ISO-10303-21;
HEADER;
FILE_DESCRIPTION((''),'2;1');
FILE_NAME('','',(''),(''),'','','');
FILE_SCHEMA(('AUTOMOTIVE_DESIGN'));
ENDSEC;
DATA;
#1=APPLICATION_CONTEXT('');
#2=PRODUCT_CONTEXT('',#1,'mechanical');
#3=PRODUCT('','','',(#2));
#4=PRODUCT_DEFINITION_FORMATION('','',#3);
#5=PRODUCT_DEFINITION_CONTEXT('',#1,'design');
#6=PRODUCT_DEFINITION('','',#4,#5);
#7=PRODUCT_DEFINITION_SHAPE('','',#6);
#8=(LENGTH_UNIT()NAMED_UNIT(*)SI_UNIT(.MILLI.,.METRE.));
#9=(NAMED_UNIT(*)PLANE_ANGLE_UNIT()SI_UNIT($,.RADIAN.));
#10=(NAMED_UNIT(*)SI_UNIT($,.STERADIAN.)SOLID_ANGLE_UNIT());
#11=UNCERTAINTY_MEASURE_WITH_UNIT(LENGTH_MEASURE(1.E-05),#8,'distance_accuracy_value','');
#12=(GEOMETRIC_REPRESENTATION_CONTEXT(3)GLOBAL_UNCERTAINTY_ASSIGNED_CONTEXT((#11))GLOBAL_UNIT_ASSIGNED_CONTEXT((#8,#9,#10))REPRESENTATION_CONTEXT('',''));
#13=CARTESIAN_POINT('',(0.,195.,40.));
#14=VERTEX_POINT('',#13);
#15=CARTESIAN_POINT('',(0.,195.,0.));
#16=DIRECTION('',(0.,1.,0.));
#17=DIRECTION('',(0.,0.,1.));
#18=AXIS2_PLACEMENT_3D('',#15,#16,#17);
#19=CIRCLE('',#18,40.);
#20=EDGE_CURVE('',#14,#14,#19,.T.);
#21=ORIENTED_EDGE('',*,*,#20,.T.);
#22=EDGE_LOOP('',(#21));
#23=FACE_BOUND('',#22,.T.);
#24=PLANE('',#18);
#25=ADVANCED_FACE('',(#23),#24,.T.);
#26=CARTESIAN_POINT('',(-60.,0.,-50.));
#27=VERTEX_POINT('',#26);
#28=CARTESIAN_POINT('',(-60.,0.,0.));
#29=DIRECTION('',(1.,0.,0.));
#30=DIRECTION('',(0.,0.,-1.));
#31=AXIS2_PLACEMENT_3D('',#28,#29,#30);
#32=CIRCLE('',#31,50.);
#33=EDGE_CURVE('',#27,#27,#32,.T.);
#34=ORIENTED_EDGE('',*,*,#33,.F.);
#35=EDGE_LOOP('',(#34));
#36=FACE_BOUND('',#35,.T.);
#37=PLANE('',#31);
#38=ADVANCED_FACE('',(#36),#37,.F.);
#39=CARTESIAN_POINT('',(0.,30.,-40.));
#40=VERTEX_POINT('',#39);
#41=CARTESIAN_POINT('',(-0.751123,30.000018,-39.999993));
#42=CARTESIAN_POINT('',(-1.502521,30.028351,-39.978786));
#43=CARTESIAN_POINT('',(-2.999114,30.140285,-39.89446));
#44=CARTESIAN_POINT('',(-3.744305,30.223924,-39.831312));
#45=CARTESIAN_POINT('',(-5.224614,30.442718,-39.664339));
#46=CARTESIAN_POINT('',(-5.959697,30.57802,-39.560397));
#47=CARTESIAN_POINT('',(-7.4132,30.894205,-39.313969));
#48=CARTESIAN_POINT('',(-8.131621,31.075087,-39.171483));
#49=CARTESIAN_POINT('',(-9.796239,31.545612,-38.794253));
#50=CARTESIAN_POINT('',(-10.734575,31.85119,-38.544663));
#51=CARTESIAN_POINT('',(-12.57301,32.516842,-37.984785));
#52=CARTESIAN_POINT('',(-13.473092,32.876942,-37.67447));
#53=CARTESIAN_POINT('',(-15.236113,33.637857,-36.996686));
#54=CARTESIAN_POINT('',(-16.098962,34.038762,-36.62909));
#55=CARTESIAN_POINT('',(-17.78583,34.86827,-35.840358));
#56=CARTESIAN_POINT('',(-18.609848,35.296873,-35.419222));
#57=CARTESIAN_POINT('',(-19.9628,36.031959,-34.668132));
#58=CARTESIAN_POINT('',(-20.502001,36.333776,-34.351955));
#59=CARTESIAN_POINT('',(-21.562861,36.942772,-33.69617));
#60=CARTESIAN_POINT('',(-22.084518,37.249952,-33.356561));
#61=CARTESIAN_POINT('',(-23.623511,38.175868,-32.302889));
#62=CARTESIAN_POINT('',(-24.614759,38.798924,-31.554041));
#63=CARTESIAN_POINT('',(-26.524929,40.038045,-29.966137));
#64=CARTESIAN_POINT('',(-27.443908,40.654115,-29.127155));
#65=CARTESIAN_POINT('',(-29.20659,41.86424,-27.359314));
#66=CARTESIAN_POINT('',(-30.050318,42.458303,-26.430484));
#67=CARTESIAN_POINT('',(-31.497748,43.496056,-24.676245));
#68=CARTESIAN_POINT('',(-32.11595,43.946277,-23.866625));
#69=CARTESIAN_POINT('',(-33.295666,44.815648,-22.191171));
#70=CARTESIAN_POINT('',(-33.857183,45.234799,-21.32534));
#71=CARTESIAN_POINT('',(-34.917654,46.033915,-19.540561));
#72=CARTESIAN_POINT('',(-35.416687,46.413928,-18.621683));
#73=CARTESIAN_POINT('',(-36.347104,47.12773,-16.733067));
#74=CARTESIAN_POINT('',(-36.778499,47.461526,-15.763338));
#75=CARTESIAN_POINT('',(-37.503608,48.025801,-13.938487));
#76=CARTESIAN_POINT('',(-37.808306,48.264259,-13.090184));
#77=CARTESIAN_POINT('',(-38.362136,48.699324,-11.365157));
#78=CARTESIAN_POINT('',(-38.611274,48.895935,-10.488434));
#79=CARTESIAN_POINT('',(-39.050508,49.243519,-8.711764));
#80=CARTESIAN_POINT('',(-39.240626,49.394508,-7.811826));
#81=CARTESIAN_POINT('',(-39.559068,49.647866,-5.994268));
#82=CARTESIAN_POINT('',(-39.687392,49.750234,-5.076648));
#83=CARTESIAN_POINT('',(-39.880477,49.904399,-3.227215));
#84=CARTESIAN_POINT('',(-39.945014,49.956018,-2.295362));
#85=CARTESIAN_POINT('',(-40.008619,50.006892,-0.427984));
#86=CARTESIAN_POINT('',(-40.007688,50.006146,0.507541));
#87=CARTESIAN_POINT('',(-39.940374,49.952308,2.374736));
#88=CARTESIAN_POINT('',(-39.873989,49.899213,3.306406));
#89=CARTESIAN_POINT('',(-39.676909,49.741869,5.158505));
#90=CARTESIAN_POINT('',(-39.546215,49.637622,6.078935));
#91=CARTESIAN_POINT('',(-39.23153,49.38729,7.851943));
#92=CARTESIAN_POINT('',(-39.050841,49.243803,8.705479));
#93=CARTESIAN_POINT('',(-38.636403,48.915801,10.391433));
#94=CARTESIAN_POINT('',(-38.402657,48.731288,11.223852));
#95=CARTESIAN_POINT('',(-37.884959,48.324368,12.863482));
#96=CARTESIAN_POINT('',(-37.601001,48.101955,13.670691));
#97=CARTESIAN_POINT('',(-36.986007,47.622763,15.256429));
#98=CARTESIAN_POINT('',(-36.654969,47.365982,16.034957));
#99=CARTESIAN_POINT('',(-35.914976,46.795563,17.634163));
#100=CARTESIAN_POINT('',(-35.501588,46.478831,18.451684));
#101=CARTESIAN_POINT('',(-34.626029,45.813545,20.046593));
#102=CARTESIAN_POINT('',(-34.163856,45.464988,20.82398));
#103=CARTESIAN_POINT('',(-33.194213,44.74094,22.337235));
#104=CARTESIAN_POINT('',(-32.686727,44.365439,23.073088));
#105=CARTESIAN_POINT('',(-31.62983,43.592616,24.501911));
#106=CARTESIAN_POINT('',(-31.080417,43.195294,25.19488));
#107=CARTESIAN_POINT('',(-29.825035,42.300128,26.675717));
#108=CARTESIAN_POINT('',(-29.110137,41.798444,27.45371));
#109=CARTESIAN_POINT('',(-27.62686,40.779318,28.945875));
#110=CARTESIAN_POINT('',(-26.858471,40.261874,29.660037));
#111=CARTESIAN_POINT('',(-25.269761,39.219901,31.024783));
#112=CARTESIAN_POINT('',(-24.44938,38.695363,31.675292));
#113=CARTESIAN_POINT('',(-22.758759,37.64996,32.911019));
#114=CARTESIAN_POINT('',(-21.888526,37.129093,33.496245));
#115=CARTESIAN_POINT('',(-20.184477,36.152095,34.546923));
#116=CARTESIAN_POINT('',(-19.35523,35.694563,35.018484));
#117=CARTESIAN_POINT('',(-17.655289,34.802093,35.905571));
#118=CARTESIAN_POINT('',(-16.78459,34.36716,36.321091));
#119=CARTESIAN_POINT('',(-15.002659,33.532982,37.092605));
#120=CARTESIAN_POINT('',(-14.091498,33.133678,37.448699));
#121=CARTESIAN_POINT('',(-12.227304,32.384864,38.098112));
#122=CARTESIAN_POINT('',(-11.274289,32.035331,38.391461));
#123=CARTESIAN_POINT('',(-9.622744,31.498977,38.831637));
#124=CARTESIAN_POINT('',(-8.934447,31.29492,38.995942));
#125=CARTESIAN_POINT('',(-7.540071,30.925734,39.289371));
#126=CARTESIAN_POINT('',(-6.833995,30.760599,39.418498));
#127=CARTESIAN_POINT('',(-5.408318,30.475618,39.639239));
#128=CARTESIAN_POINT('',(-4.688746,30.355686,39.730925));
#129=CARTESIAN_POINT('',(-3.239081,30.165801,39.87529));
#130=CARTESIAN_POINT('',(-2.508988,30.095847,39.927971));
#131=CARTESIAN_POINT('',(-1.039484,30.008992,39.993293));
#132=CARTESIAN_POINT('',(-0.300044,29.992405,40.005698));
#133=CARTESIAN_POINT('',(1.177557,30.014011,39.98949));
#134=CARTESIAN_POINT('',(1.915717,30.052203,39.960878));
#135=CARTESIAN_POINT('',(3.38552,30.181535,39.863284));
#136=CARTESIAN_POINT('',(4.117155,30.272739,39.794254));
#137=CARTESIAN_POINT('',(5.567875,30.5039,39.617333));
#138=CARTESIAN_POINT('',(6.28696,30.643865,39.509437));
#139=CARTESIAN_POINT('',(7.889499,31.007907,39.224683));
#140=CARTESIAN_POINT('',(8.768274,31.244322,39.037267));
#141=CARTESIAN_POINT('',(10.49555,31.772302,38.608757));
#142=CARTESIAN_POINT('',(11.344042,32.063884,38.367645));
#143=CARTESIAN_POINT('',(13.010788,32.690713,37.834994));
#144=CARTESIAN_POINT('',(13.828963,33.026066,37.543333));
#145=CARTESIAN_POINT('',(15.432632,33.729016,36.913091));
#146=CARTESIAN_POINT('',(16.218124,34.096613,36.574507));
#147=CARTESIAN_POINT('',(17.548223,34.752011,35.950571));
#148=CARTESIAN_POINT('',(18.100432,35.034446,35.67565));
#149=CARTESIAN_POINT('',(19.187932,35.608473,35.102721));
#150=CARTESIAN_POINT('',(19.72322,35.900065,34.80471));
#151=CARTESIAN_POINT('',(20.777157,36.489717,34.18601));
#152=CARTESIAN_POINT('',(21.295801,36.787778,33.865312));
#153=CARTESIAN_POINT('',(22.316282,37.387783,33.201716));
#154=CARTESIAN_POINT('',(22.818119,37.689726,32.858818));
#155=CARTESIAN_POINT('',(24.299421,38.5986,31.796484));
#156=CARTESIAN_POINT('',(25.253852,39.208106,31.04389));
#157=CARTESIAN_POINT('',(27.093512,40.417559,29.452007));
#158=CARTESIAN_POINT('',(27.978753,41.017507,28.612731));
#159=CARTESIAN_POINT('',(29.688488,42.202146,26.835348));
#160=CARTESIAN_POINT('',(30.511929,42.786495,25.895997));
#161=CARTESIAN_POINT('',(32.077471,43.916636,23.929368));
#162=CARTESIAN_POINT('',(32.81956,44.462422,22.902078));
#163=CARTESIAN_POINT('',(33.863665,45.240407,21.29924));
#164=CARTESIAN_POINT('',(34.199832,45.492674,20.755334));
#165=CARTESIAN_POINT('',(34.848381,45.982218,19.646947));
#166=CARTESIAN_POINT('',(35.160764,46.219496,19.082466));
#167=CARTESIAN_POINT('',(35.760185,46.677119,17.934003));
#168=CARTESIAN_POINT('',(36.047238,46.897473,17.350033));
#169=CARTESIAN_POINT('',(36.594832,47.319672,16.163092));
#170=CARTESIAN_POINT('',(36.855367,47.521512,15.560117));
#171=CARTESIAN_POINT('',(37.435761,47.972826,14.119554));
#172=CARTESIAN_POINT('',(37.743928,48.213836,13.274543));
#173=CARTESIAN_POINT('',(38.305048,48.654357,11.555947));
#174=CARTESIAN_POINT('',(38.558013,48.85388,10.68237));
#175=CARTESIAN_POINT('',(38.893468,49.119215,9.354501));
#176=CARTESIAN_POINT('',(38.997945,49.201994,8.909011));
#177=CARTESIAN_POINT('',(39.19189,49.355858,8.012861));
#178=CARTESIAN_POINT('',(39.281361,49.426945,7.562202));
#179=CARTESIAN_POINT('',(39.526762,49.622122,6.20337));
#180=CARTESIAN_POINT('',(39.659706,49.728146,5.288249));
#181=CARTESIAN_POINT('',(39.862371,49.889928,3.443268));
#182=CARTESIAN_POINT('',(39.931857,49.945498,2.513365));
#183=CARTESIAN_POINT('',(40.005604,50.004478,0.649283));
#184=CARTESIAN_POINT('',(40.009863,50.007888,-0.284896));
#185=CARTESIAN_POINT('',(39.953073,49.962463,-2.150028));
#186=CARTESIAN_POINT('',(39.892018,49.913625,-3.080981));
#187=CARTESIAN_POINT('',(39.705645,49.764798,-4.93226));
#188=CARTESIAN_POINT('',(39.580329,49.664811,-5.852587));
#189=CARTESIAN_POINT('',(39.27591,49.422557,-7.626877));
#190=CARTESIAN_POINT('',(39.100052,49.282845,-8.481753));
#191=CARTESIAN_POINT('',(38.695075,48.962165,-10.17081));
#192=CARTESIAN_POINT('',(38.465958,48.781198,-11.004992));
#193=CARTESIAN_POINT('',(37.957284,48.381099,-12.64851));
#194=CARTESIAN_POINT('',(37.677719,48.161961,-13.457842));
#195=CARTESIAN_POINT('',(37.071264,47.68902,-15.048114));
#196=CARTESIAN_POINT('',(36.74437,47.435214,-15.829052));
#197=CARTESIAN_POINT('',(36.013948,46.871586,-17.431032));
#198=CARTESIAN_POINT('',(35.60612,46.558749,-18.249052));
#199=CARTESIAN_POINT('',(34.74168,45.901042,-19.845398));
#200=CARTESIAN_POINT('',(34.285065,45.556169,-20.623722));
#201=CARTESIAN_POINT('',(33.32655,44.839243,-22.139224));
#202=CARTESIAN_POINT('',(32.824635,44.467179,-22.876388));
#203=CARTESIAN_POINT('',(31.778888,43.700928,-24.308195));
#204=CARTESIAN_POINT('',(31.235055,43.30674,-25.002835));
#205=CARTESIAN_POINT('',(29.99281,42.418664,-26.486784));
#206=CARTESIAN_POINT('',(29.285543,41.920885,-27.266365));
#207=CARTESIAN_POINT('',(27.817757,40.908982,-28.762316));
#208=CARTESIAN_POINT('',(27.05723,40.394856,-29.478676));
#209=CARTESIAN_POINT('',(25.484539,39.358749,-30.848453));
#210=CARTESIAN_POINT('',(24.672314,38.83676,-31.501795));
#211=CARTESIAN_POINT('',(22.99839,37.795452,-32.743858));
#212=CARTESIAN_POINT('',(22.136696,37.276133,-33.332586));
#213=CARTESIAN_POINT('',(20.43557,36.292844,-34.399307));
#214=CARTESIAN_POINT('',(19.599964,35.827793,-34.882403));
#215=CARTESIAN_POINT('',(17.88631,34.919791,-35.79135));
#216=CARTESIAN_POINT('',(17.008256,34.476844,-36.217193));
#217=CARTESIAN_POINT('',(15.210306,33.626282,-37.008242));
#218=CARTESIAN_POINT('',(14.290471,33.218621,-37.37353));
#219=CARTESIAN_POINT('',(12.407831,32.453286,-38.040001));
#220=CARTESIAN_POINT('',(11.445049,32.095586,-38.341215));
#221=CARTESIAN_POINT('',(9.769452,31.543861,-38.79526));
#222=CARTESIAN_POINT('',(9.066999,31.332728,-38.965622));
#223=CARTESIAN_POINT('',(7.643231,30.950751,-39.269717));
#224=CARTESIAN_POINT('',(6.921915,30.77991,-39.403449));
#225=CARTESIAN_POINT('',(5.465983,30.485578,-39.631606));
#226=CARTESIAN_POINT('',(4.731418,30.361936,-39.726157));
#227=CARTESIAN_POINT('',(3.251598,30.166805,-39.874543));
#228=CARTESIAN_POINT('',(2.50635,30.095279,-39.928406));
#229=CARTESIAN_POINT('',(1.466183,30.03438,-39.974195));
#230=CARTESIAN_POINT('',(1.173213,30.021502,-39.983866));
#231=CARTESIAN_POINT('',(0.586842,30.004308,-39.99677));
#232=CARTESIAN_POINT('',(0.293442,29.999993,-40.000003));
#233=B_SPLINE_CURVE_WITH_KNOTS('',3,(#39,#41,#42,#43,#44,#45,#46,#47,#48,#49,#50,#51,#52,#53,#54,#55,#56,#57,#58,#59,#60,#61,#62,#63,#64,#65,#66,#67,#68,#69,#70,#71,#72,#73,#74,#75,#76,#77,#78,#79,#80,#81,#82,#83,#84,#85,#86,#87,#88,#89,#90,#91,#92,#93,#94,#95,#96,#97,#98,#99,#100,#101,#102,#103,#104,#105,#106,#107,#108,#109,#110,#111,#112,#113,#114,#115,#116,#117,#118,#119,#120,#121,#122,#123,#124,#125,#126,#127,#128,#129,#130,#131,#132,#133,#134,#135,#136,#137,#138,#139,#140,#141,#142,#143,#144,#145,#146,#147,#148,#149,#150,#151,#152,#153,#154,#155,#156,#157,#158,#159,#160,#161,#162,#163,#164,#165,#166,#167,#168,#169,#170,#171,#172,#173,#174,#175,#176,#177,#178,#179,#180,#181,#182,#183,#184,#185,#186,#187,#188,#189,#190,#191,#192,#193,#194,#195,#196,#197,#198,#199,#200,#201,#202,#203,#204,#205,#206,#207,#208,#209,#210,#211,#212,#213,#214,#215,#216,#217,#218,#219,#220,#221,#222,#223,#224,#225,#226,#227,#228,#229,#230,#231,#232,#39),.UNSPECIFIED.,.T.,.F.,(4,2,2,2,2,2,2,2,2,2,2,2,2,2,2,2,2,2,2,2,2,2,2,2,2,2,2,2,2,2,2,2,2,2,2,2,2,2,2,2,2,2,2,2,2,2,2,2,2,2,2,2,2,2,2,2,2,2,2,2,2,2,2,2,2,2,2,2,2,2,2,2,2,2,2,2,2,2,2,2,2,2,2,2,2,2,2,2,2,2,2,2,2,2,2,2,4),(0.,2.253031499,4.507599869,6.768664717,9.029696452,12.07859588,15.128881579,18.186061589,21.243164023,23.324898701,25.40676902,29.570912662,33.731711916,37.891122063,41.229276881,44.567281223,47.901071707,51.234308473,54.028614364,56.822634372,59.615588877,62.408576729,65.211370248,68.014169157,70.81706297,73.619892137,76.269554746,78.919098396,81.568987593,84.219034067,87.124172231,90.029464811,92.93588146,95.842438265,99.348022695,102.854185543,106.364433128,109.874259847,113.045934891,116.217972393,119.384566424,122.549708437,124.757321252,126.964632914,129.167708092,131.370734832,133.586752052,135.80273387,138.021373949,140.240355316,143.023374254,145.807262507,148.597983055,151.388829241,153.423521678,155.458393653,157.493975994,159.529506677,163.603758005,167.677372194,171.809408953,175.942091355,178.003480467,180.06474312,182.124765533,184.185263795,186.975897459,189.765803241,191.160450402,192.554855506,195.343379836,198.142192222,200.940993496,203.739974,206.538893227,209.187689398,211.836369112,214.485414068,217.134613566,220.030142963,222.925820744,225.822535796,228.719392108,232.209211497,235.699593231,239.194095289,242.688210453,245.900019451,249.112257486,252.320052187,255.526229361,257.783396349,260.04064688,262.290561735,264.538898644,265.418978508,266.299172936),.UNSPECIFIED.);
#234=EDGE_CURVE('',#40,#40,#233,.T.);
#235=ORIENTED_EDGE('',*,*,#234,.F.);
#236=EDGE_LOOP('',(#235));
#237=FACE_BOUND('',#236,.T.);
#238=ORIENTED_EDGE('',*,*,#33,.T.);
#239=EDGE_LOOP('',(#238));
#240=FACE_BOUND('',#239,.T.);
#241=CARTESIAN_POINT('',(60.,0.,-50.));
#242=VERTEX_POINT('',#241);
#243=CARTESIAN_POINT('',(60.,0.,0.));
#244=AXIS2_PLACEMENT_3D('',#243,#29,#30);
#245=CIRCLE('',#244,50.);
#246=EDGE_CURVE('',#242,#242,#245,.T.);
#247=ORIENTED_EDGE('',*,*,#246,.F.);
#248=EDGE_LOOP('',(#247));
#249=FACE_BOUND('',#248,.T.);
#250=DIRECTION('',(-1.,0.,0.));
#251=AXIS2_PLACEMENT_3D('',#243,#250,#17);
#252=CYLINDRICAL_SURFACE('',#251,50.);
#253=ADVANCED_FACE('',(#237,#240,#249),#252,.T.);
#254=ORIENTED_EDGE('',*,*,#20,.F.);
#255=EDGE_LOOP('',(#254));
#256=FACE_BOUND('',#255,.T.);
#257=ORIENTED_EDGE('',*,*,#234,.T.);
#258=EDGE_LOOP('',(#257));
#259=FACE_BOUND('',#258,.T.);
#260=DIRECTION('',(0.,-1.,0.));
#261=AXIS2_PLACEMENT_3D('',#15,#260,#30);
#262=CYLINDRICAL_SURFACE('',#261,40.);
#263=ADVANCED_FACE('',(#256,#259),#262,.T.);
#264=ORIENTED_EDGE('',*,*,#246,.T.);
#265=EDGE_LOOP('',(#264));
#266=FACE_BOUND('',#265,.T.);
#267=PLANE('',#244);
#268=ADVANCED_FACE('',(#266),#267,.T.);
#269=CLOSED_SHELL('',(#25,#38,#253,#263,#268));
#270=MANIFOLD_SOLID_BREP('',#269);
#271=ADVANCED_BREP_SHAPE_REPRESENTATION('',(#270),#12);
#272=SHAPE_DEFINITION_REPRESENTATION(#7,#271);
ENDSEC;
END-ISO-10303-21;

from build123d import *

# Parameters (mm, degrees)
SKETCH_2_R      = 50
EXTRUDE_1_DEPTH = 60
SKETCH_3_R      = 40
EXTRUDE_2_DEPTH = 195


with BuildPart() as part:
    # 草图2 → 凸台-拉伸1 (new, symmetric)
    with BuildSketch(Plane(origin=(0, 0, 0), x_dir=(0, 0, -1), z_dir=(1, 0, 0))):
        Circle(SKETCH_2_R)
    extrude(amount=EXTRUDE_1_DEPTH, both=True)

    # 草图3 → 凸台-拉伸2 (add)
    with BuildSketch(Plane(origin=(0, 0, 0), x_dir=(1, 0, 0), z_dir=(0, 1, 0))):
        with Locations(Location((0, 0, 0), (0, 0, 90))):
            Circle(SKETCH_3_R)
    extrude(amount=EXTRUDE_2_DEPTH)


solid = part.part
